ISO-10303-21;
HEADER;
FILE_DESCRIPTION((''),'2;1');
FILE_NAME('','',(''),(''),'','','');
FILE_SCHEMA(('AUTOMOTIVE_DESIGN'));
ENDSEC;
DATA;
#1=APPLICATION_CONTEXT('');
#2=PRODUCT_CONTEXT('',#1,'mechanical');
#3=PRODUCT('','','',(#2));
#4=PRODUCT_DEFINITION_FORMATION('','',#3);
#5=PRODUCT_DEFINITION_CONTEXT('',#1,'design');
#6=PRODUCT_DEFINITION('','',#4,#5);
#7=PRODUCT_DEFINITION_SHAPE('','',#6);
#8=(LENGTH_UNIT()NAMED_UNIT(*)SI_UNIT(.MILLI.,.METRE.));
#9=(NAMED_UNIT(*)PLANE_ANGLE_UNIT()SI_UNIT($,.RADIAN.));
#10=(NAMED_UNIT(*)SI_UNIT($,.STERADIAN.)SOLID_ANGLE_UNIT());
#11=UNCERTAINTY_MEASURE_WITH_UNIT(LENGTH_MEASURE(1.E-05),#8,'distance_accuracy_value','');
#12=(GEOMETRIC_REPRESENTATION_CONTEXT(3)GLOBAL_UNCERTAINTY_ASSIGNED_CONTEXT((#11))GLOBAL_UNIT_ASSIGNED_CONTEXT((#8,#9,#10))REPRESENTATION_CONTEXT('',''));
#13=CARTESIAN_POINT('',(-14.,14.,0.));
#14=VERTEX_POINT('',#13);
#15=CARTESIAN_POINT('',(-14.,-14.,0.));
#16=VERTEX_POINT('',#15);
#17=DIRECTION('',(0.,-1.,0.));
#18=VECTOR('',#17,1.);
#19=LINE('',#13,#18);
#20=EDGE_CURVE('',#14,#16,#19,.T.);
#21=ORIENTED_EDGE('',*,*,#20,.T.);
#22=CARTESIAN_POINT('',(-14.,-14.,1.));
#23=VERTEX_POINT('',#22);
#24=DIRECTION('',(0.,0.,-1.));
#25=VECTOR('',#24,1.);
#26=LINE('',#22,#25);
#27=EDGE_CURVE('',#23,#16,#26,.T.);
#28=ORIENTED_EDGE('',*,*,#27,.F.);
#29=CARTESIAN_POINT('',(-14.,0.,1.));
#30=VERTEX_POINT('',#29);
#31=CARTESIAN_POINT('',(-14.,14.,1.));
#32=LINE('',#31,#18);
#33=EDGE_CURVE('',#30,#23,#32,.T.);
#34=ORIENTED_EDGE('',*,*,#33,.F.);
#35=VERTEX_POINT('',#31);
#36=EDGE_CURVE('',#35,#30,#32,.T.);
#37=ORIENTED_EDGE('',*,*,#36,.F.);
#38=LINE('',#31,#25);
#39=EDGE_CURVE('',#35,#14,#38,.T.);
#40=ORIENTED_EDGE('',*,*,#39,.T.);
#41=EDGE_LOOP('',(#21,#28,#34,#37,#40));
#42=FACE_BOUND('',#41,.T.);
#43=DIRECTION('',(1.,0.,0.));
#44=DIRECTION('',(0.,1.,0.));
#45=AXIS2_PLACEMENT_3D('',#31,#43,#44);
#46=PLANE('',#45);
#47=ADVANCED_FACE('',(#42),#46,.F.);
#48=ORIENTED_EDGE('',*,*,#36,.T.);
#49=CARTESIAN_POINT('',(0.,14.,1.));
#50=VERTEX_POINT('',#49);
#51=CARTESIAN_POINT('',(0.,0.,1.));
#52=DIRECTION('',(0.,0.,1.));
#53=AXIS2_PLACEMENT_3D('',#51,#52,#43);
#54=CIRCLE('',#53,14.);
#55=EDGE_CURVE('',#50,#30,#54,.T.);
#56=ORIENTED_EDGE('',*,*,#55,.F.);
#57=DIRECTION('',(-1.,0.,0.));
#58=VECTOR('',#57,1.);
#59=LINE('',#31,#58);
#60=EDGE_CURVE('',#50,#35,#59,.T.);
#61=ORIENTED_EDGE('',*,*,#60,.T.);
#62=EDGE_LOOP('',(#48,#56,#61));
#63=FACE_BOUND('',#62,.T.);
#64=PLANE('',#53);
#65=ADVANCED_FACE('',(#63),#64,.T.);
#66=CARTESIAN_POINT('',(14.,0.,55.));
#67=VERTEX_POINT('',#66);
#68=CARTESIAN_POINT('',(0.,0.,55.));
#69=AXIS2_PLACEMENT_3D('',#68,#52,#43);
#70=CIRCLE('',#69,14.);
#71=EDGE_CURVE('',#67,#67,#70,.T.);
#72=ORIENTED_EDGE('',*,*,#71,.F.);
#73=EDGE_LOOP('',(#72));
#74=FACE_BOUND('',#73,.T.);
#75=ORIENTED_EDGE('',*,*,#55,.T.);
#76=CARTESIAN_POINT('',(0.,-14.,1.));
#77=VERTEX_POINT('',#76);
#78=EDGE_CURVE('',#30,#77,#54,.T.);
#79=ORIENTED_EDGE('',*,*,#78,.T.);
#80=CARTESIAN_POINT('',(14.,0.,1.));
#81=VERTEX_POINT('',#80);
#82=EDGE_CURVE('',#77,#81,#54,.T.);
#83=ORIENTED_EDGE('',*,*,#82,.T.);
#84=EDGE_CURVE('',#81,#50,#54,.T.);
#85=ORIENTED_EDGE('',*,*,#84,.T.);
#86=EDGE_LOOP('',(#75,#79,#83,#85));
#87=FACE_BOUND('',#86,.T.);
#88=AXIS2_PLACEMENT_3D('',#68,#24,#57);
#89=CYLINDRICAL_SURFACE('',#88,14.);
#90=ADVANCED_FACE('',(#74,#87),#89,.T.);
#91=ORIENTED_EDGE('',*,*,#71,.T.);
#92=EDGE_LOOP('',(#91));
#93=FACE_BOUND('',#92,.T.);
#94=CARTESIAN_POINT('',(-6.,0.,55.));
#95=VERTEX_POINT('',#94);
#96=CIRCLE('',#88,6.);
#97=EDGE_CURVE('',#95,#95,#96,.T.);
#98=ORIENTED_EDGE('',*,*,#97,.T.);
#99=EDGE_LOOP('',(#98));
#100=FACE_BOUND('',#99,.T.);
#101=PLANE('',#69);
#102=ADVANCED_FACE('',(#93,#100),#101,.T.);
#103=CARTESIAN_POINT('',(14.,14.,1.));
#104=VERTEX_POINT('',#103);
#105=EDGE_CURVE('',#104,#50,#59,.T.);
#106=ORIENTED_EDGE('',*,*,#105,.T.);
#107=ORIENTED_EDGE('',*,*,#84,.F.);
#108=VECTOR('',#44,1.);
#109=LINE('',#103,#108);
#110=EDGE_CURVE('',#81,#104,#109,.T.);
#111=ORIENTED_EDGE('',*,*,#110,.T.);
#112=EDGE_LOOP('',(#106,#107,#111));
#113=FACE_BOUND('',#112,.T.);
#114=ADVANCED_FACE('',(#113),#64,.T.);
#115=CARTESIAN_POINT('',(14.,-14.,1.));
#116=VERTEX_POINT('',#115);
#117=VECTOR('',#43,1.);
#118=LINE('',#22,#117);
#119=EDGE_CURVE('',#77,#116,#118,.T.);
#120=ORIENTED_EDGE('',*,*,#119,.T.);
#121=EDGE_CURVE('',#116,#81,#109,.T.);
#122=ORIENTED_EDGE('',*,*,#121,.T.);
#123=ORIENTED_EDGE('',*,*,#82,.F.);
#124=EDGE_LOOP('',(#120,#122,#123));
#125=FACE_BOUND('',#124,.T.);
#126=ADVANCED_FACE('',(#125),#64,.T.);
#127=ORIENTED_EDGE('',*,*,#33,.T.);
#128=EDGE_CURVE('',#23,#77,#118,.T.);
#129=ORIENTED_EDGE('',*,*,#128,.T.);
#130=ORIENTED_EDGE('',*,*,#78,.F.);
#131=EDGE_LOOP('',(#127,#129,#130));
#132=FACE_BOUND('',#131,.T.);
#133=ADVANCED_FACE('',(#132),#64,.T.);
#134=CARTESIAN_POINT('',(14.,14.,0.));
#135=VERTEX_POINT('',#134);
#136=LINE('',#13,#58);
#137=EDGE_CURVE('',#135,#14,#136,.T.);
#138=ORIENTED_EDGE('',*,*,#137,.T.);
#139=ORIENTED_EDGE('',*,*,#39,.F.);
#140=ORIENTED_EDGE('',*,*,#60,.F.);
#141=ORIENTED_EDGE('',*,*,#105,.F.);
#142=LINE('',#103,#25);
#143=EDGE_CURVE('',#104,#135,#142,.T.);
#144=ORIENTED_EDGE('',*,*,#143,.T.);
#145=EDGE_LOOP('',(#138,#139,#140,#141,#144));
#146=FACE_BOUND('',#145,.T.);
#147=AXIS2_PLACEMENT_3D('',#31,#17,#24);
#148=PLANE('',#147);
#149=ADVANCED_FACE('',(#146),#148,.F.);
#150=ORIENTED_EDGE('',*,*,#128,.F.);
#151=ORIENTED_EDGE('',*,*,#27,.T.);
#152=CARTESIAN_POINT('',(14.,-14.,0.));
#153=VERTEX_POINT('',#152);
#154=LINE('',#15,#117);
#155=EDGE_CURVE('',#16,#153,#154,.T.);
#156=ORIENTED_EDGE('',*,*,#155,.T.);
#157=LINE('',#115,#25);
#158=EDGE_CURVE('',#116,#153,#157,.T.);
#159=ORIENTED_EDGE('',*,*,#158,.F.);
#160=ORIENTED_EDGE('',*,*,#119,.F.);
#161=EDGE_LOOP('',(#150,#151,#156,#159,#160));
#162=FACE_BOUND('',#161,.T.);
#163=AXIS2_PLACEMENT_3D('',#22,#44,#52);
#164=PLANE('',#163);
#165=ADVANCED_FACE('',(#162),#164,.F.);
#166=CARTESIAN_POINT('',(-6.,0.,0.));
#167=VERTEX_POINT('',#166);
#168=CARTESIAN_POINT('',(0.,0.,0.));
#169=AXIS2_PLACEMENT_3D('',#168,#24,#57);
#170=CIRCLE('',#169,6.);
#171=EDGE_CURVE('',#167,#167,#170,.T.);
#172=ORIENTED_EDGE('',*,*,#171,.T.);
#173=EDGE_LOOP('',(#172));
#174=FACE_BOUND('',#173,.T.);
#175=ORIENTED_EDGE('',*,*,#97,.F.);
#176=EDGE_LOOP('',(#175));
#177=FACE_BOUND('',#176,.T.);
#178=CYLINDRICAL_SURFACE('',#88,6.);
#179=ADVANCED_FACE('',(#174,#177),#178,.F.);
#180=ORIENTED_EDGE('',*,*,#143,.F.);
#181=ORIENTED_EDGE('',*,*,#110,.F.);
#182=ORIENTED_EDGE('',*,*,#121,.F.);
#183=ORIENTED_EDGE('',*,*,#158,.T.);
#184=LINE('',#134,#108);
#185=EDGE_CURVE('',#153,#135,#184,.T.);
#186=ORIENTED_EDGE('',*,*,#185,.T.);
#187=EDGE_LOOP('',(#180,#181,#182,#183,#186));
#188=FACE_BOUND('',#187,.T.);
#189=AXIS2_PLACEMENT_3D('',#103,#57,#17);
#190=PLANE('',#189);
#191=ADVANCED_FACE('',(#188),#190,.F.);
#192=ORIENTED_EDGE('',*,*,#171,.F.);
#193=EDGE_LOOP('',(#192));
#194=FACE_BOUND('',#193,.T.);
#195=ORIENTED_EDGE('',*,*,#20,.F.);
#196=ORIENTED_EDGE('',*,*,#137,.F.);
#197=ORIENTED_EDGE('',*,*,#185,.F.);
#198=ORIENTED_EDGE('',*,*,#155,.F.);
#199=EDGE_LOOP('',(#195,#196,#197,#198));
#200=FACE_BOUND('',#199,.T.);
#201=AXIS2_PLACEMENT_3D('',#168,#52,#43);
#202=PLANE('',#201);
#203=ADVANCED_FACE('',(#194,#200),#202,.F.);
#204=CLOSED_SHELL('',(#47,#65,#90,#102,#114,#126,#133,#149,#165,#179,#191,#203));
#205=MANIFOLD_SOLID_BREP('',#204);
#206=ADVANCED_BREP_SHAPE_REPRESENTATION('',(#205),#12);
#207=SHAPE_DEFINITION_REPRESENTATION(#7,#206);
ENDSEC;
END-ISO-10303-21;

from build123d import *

# Parameters (mm, degrees)
SKETCH1_W           = 28
SKETCH1_H           = 28
BOSS_EXTRUDE1_DEPTH = 1
SKETCH2_R           = 14
BOSS_EXTRUDE2_DEPTH = 54
SKETCH3_R           = 6
CUT_EXTRUDE1_DEPTH  = 59.455110983


with BuildPart() as part:
    # Sketch1 → Boss-Extrude1 (new body)
    with BuildSketch(Plane.XY):
        Rectangle(SKETCH1_W, SKETCH1_H)
    extrude(amount=BOSS_EXTRUDE1_DEPTH)

    # Sketch2 → Boss-Extrude2 (add)
    with BuildSketch(Plane.XY.offset(1)):
        Circle(SKETCH2_R)
    extrude(amount=BOSS_EXTRUDE2_DEPTH)

    # Sketch3 → Cut-Extrude1 (cut, through all)
    with BuildSketch(Plane(origin=(0, 0, 0), x_dir=(-1, 0, 0), z_dir=(0, 0, -1))):
        Circle(SKETCH3_R)
    extrude(amount=-CUT_EXTRUDE1_DEPTH, mode=Mode.SUBTRACT)


solid = part.part
